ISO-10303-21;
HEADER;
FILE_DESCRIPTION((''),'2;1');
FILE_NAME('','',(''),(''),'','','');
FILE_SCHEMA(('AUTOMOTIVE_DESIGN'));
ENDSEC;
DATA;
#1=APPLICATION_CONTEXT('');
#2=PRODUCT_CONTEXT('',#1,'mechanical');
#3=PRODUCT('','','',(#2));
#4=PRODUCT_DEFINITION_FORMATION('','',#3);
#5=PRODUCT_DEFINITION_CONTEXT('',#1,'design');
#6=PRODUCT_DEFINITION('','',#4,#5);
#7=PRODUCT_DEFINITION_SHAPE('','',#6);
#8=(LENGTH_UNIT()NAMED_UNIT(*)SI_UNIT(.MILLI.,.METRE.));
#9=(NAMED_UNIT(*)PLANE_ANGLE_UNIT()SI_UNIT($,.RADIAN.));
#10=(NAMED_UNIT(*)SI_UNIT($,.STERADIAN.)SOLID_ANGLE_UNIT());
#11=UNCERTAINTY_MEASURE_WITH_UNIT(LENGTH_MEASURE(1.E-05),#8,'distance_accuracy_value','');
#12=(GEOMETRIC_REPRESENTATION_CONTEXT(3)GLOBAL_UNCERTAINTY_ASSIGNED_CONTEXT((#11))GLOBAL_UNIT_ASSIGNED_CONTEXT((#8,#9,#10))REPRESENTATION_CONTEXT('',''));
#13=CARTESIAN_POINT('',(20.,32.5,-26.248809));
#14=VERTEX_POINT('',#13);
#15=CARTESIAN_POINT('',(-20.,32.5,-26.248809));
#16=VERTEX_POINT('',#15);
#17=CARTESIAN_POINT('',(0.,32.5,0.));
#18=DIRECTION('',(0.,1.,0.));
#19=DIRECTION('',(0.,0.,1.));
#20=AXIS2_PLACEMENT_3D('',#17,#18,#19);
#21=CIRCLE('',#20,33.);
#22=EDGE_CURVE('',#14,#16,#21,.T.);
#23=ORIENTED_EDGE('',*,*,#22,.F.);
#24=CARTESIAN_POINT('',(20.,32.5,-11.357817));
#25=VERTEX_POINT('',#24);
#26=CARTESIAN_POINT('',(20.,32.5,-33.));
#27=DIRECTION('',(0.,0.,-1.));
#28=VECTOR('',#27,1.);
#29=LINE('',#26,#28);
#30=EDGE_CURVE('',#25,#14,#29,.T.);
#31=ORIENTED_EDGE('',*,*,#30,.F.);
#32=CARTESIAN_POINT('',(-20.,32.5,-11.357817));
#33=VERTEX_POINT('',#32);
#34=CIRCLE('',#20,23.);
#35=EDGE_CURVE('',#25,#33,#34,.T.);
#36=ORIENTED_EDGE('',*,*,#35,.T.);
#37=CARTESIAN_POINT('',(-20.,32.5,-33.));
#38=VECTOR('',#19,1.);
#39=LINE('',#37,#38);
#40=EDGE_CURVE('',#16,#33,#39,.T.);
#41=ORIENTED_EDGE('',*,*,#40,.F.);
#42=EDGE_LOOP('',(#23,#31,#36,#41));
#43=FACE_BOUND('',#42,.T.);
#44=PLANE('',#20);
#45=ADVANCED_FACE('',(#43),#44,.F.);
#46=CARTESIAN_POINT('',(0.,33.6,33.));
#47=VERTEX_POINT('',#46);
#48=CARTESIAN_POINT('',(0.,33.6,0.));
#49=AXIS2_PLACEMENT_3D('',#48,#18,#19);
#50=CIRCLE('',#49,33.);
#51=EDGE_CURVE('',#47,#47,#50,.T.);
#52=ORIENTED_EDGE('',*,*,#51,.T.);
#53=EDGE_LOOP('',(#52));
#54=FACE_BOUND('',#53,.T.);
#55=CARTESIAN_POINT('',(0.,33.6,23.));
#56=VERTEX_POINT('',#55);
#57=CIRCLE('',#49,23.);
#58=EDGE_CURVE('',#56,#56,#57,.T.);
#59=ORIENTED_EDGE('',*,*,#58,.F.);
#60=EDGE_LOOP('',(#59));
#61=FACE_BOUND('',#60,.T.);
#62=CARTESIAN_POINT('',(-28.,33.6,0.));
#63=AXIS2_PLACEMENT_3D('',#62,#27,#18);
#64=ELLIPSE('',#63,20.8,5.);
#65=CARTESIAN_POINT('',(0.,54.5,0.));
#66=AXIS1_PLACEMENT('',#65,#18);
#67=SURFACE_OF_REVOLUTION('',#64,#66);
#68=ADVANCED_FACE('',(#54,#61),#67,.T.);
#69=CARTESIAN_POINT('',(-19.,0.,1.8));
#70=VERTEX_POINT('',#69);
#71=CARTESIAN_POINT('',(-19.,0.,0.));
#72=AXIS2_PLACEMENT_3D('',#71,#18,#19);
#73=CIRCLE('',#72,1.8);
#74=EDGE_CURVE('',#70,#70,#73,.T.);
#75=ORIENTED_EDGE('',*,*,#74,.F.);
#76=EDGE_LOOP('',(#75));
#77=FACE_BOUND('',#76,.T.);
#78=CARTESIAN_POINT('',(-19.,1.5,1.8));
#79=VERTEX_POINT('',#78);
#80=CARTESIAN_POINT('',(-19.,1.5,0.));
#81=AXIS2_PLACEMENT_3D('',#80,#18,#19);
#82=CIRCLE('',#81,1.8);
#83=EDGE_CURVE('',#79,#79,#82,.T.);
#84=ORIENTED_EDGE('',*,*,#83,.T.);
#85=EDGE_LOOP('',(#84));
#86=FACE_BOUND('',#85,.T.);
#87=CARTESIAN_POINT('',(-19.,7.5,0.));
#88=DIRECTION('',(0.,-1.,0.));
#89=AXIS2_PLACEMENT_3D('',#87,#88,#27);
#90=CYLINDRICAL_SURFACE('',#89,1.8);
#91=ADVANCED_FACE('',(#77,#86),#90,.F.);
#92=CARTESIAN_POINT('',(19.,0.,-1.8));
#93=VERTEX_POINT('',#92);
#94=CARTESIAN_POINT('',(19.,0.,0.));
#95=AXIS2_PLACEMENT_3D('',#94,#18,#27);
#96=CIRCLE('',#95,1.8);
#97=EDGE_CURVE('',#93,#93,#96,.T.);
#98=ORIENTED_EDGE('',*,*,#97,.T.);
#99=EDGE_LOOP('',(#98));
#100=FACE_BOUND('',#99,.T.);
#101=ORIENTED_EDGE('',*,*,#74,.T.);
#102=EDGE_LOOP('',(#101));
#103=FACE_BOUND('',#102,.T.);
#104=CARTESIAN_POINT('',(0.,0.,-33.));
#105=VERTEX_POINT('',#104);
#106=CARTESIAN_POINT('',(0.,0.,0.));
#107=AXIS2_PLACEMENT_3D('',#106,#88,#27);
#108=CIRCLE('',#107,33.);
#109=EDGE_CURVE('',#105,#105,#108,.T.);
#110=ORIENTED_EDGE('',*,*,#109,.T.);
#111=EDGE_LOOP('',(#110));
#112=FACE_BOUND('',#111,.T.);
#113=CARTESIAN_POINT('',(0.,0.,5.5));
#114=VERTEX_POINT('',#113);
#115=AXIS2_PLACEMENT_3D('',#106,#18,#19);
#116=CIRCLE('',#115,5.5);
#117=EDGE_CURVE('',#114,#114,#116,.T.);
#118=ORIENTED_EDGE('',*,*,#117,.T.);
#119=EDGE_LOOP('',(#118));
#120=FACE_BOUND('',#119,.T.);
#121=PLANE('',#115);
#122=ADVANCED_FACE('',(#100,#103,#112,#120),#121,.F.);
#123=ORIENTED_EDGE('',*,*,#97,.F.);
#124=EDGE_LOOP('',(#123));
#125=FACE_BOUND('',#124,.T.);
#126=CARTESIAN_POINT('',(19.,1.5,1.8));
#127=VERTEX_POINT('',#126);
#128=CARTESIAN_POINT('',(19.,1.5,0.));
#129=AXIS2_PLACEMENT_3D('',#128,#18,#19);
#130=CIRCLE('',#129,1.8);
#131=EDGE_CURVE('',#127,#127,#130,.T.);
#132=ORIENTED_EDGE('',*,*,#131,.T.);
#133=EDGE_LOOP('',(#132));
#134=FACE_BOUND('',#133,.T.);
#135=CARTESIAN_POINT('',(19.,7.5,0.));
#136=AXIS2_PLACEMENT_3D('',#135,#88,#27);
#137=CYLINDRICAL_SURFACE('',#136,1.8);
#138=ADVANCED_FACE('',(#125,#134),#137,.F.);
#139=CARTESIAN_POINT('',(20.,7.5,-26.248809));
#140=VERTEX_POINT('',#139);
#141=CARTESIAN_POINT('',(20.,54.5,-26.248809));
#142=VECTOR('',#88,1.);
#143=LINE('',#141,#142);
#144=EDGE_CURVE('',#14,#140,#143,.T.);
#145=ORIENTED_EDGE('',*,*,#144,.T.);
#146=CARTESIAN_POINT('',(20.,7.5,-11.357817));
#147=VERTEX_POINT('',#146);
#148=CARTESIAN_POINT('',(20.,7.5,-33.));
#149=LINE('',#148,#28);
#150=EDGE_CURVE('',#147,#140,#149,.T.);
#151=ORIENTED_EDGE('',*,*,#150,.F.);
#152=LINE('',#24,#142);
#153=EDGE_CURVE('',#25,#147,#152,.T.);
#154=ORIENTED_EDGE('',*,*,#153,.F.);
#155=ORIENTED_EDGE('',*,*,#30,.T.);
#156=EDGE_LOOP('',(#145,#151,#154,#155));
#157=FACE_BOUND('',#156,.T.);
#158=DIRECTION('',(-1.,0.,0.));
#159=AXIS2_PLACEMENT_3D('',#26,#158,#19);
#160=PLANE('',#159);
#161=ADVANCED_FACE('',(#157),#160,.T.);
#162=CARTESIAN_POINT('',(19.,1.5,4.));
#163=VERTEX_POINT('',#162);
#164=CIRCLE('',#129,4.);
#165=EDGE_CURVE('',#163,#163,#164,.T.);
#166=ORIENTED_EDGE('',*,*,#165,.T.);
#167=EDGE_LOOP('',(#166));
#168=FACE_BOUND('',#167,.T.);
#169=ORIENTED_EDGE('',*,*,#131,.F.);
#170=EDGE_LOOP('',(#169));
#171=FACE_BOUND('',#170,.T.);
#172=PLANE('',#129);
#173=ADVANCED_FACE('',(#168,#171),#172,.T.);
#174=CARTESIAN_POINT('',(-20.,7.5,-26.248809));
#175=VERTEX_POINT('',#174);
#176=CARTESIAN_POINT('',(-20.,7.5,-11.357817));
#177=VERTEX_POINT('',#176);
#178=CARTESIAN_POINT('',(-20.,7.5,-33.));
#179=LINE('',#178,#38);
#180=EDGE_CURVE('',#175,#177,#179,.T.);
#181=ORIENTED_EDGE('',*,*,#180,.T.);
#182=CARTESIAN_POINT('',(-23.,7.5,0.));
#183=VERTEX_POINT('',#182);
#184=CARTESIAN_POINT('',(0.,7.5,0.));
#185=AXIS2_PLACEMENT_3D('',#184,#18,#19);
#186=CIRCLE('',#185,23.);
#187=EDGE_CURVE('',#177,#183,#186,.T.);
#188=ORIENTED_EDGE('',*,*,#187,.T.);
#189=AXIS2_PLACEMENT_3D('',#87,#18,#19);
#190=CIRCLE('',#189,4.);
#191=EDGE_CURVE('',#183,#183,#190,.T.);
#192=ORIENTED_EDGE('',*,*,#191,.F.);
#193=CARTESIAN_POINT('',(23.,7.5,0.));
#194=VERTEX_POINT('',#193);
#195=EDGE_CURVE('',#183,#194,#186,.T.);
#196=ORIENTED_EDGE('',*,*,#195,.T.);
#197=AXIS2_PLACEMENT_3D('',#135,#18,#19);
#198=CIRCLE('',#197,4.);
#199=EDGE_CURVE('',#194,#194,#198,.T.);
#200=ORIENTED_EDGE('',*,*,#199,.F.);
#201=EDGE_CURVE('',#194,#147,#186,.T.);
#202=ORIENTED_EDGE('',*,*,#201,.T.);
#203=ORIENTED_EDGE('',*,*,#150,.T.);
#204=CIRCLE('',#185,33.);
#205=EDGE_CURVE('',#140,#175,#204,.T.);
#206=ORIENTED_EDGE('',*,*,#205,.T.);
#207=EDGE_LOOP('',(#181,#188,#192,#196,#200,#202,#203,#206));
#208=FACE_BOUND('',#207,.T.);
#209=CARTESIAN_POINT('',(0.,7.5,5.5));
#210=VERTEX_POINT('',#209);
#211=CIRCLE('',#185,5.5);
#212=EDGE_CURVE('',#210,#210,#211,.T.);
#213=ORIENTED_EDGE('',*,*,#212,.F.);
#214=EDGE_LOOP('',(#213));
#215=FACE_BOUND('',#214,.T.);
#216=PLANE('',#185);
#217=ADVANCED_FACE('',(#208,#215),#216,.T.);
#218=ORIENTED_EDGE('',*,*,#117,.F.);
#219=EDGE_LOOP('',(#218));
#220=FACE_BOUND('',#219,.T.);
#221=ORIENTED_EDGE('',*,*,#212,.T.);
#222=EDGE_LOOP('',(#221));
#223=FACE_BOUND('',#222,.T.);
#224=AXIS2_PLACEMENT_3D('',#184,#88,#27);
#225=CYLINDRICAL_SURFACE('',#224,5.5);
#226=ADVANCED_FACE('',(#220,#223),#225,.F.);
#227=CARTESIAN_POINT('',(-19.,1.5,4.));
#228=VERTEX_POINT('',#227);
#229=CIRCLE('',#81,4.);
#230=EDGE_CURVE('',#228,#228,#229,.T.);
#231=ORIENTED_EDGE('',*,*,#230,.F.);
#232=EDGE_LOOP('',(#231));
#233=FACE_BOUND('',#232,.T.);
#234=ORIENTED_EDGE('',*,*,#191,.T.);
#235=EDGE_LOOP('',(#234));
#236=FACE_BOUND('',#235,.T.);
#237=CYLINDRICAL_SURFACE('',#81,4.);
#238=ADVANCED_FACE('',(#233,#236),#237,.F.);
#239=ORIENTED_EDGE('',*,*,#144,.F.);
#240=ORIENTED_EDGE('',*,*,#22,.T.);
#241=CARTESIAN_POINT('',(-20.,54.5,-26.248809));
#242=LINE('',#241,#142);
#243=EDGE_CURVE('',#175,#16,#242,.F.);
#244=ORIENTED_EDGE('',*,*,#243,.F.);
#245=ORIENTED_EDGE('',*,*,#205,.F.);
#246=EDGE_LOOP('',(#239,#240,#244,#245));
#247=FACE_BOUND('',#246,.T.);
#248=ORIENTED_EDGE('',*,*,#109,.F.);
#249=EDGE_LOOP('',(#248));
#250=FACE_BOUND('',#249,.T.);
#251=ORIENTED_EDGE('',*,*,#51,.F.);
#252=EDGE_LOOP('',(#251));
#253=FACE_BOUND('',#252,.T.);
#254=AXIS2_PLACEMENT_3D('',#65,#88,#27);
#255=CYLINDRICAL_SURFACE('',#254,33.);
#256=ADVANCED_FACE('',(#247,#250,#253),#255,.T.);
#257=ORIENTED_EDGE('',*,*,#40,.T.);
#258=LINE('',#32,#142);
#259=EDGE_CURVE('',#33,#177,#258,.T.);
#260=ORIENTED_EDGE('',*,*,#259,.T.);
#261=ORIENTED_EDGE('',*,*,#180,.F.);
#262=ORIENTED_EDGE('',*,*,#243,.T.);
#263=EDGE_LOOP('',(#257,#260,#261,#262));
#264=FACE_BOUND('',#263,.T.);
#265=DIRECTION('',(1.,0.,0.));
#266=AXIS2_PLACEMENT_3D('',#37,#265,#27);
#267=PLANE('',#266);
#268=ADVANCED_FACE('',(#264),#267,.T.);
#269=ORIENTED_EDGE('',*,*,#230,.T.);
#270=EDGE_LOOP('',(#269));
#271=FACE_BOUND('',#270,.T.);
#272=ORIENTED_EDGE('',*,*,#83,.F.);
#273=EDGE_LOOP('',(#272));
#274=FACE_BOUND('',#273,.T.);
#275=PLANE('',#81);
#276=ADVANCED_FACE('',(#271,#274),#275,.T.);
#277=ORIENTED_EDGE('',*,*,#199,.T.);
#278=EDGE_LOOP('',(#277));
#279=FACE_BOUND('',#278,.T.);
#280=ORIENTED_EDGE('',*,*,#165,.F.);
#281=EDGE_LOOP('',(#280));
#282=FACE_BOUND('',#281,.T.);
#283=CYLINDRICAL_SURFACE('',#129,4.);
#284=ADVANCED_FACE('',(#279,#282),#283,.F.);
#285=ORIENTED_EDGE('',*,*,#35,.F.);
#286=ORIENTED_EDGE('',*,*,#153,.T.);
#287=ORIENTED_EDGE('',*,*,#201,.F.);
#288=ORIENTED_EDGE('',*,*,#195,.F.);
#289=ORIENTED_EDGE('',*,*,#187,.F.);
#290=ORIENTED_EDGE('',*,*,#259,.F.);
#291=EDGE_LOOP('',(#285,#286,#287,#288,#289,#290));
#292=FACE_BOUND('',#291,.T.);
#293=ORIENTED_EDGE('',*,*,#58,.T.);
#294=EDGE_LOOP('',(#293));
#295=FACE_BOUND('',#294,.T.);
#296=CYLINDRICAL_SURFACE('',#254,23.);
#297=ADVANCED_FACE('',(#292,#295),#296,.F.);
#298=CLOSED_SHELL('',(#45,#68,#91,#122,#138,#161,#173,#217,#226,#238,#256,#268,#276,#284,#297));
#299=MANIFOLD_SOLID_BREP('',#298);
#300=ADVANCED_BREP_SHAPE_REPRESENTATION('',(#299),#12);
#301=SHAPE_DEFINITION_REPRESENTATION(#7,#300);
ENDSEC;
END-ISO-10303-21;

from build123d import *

# Parameters (mm, degrees)
SKETCH1_R           = 25
SKETCH1_R_2         = 1.8
SKETCH1_R_3         = 5.5
BOSS_EXTRUDE1_DEPTH = 7.5
SKETCH2_R           = 4
CUT_EXTRUDE1_DEPTH  = 6
BOSS_EXTRUDE2_START = -7.5
SKETCH3_R           = 33
SKETCH3_R_2         = 23
BOSS_EXTRUDE2_DEPTH = 47
SKETCH3_2_R         = 33
SKETCH3_2_R_2       = 23
BOSS_EXTRUDE3_DEPTH = 7.5
SKETCH7_W           = 40
SKETCH7_H           = 21.642183308
CUT_EXTRUDE3_DEPTH  = 25


with BuildPart() as part:
    # Sketch1 → Boss-Extrude1 (new body)
    with BuildSketch(Plane(origin=(0, 0, 0), x_dir=(1, 0, 0), z_dir=(0, 1, 0))):
        with Locations(Location((0, 0, 0), (0, 0, 270))):
            Circle(SKETCH1_R)
        with Locations(Location((-19, 0, 0), (0, 0, 270))):
            Circle(SKETCH1_R_2, mode=Mode.SUBTRACT)
        with Locations(Location((19, 0, 0), (0, 0, 90))):
            Circle(SKETCH1_R_2, mode=Mode.SUBTRACT)
        with Locations(Location((0, 0, 0), (0, 0, 270))):
            Circle(SKETCH1_R_3, mode=Mode.SUBTRACT)
    extrude(amount=BOSS_EXTRUDE1_DEPTH)

    # Sketch2 → Cut-Extrude1 (cut)
    with BuildSketch(Plane(origin=(0, 7.5, 0), x_dir=(1, 0, 0), z_dir=(0, 1, 0))):
        with Locations(Location((-19, 0, 0), (0, 0, 270))):
            Circle(SKETCH2_R)
        with Locations(Location((19, 0, 0), (0, 0, 270))):
            Circle(SKETCH2_R)
    extrude(amount=-CUT_EXTRUDE1_DEPTH, mode=Mode.SUBTRACT)

    # Sketch3 → Boss-Extrude2 (add)
    with BuildSketch(Plane.XZ.offset(BOSS_EXTRUDE2_START)):
        with Locations(Location((0, 0, 0), (0, 0, 90))):
            Circle(SKETCH3_R)
        with Locations(Location((0, 0, 0), (0, 0, 180.000077522))):
            Circle(SKETCH3_R_2, mode=Mode.SUBTRACT)
    extrude(amount=-BOSS_EXTRUDE2_DEPTH)

    # Sketch3<2> → Boss-Extrude3 (add)
    with BuildSketch(Plane.XZ):
        with Locations(Location((0, 0, 0), (0, 0, 270))):
            Circle(SKETCH3_2_R)
        with Locations(Location((0, 0, 0), (0, 0, 180.000077522))):
            Circle(SKETCH3_2_R_2, mode=Mode.SUBTRACT)
    extrude(amount=-BOSS_EXTRUDE3_DEPTH)

    # Sketch6 → Cut-Revolve7 (revolve, cut)
    with BuildSketch(Plane.XY, mode=Mode.PRIVATE) as cut_revolve7_sk:
        with BuildLine():
            Line((-33, 33.6), (-33, 54.5))
            Line((-33, 54.5), (-23, 54.5))
            Line((-23, 54.5), (-23, 33.6))
            add(Edge.make_bspline(
                [(-23, 33.6), (-23, 54.4), (-28, 54.4), (-33, 54.4), (-33, 33.6)],
                knots=[1.570796327, 1.570796327, 1.570796327, 3.141592654, 3.141592654, 4.71238898, 4.71238898, 4.71238898], degree=2, weights=[1, 0.707106781, 1, 0.707106781, 1]))
        make_face()
    revolve(cut_revolve7_sk.sketch.rotate(Axis((0, 54.5, 0), (0, -1, 0)), 90), axis=Axis((0, 54.5, 0), (0, -1, 0)), mode=Mode.SUBTRACT)

    # Sketch7 → Cut-Extrude3 (cut)
    with BuildSketch(Plane(origin=(0, 7.5, 0), x_dir=(1, 0, 0), z_dir=(0, 1, 0))):
        with Locations((0, 22.178908346)):
            Rectangle(SKETCH7_W, SKETCH7_H)
    extrude(amount=CUT_EXTRUDE3_DEPTH, mode=Mode.SUBTRACT)


solid = part.part
